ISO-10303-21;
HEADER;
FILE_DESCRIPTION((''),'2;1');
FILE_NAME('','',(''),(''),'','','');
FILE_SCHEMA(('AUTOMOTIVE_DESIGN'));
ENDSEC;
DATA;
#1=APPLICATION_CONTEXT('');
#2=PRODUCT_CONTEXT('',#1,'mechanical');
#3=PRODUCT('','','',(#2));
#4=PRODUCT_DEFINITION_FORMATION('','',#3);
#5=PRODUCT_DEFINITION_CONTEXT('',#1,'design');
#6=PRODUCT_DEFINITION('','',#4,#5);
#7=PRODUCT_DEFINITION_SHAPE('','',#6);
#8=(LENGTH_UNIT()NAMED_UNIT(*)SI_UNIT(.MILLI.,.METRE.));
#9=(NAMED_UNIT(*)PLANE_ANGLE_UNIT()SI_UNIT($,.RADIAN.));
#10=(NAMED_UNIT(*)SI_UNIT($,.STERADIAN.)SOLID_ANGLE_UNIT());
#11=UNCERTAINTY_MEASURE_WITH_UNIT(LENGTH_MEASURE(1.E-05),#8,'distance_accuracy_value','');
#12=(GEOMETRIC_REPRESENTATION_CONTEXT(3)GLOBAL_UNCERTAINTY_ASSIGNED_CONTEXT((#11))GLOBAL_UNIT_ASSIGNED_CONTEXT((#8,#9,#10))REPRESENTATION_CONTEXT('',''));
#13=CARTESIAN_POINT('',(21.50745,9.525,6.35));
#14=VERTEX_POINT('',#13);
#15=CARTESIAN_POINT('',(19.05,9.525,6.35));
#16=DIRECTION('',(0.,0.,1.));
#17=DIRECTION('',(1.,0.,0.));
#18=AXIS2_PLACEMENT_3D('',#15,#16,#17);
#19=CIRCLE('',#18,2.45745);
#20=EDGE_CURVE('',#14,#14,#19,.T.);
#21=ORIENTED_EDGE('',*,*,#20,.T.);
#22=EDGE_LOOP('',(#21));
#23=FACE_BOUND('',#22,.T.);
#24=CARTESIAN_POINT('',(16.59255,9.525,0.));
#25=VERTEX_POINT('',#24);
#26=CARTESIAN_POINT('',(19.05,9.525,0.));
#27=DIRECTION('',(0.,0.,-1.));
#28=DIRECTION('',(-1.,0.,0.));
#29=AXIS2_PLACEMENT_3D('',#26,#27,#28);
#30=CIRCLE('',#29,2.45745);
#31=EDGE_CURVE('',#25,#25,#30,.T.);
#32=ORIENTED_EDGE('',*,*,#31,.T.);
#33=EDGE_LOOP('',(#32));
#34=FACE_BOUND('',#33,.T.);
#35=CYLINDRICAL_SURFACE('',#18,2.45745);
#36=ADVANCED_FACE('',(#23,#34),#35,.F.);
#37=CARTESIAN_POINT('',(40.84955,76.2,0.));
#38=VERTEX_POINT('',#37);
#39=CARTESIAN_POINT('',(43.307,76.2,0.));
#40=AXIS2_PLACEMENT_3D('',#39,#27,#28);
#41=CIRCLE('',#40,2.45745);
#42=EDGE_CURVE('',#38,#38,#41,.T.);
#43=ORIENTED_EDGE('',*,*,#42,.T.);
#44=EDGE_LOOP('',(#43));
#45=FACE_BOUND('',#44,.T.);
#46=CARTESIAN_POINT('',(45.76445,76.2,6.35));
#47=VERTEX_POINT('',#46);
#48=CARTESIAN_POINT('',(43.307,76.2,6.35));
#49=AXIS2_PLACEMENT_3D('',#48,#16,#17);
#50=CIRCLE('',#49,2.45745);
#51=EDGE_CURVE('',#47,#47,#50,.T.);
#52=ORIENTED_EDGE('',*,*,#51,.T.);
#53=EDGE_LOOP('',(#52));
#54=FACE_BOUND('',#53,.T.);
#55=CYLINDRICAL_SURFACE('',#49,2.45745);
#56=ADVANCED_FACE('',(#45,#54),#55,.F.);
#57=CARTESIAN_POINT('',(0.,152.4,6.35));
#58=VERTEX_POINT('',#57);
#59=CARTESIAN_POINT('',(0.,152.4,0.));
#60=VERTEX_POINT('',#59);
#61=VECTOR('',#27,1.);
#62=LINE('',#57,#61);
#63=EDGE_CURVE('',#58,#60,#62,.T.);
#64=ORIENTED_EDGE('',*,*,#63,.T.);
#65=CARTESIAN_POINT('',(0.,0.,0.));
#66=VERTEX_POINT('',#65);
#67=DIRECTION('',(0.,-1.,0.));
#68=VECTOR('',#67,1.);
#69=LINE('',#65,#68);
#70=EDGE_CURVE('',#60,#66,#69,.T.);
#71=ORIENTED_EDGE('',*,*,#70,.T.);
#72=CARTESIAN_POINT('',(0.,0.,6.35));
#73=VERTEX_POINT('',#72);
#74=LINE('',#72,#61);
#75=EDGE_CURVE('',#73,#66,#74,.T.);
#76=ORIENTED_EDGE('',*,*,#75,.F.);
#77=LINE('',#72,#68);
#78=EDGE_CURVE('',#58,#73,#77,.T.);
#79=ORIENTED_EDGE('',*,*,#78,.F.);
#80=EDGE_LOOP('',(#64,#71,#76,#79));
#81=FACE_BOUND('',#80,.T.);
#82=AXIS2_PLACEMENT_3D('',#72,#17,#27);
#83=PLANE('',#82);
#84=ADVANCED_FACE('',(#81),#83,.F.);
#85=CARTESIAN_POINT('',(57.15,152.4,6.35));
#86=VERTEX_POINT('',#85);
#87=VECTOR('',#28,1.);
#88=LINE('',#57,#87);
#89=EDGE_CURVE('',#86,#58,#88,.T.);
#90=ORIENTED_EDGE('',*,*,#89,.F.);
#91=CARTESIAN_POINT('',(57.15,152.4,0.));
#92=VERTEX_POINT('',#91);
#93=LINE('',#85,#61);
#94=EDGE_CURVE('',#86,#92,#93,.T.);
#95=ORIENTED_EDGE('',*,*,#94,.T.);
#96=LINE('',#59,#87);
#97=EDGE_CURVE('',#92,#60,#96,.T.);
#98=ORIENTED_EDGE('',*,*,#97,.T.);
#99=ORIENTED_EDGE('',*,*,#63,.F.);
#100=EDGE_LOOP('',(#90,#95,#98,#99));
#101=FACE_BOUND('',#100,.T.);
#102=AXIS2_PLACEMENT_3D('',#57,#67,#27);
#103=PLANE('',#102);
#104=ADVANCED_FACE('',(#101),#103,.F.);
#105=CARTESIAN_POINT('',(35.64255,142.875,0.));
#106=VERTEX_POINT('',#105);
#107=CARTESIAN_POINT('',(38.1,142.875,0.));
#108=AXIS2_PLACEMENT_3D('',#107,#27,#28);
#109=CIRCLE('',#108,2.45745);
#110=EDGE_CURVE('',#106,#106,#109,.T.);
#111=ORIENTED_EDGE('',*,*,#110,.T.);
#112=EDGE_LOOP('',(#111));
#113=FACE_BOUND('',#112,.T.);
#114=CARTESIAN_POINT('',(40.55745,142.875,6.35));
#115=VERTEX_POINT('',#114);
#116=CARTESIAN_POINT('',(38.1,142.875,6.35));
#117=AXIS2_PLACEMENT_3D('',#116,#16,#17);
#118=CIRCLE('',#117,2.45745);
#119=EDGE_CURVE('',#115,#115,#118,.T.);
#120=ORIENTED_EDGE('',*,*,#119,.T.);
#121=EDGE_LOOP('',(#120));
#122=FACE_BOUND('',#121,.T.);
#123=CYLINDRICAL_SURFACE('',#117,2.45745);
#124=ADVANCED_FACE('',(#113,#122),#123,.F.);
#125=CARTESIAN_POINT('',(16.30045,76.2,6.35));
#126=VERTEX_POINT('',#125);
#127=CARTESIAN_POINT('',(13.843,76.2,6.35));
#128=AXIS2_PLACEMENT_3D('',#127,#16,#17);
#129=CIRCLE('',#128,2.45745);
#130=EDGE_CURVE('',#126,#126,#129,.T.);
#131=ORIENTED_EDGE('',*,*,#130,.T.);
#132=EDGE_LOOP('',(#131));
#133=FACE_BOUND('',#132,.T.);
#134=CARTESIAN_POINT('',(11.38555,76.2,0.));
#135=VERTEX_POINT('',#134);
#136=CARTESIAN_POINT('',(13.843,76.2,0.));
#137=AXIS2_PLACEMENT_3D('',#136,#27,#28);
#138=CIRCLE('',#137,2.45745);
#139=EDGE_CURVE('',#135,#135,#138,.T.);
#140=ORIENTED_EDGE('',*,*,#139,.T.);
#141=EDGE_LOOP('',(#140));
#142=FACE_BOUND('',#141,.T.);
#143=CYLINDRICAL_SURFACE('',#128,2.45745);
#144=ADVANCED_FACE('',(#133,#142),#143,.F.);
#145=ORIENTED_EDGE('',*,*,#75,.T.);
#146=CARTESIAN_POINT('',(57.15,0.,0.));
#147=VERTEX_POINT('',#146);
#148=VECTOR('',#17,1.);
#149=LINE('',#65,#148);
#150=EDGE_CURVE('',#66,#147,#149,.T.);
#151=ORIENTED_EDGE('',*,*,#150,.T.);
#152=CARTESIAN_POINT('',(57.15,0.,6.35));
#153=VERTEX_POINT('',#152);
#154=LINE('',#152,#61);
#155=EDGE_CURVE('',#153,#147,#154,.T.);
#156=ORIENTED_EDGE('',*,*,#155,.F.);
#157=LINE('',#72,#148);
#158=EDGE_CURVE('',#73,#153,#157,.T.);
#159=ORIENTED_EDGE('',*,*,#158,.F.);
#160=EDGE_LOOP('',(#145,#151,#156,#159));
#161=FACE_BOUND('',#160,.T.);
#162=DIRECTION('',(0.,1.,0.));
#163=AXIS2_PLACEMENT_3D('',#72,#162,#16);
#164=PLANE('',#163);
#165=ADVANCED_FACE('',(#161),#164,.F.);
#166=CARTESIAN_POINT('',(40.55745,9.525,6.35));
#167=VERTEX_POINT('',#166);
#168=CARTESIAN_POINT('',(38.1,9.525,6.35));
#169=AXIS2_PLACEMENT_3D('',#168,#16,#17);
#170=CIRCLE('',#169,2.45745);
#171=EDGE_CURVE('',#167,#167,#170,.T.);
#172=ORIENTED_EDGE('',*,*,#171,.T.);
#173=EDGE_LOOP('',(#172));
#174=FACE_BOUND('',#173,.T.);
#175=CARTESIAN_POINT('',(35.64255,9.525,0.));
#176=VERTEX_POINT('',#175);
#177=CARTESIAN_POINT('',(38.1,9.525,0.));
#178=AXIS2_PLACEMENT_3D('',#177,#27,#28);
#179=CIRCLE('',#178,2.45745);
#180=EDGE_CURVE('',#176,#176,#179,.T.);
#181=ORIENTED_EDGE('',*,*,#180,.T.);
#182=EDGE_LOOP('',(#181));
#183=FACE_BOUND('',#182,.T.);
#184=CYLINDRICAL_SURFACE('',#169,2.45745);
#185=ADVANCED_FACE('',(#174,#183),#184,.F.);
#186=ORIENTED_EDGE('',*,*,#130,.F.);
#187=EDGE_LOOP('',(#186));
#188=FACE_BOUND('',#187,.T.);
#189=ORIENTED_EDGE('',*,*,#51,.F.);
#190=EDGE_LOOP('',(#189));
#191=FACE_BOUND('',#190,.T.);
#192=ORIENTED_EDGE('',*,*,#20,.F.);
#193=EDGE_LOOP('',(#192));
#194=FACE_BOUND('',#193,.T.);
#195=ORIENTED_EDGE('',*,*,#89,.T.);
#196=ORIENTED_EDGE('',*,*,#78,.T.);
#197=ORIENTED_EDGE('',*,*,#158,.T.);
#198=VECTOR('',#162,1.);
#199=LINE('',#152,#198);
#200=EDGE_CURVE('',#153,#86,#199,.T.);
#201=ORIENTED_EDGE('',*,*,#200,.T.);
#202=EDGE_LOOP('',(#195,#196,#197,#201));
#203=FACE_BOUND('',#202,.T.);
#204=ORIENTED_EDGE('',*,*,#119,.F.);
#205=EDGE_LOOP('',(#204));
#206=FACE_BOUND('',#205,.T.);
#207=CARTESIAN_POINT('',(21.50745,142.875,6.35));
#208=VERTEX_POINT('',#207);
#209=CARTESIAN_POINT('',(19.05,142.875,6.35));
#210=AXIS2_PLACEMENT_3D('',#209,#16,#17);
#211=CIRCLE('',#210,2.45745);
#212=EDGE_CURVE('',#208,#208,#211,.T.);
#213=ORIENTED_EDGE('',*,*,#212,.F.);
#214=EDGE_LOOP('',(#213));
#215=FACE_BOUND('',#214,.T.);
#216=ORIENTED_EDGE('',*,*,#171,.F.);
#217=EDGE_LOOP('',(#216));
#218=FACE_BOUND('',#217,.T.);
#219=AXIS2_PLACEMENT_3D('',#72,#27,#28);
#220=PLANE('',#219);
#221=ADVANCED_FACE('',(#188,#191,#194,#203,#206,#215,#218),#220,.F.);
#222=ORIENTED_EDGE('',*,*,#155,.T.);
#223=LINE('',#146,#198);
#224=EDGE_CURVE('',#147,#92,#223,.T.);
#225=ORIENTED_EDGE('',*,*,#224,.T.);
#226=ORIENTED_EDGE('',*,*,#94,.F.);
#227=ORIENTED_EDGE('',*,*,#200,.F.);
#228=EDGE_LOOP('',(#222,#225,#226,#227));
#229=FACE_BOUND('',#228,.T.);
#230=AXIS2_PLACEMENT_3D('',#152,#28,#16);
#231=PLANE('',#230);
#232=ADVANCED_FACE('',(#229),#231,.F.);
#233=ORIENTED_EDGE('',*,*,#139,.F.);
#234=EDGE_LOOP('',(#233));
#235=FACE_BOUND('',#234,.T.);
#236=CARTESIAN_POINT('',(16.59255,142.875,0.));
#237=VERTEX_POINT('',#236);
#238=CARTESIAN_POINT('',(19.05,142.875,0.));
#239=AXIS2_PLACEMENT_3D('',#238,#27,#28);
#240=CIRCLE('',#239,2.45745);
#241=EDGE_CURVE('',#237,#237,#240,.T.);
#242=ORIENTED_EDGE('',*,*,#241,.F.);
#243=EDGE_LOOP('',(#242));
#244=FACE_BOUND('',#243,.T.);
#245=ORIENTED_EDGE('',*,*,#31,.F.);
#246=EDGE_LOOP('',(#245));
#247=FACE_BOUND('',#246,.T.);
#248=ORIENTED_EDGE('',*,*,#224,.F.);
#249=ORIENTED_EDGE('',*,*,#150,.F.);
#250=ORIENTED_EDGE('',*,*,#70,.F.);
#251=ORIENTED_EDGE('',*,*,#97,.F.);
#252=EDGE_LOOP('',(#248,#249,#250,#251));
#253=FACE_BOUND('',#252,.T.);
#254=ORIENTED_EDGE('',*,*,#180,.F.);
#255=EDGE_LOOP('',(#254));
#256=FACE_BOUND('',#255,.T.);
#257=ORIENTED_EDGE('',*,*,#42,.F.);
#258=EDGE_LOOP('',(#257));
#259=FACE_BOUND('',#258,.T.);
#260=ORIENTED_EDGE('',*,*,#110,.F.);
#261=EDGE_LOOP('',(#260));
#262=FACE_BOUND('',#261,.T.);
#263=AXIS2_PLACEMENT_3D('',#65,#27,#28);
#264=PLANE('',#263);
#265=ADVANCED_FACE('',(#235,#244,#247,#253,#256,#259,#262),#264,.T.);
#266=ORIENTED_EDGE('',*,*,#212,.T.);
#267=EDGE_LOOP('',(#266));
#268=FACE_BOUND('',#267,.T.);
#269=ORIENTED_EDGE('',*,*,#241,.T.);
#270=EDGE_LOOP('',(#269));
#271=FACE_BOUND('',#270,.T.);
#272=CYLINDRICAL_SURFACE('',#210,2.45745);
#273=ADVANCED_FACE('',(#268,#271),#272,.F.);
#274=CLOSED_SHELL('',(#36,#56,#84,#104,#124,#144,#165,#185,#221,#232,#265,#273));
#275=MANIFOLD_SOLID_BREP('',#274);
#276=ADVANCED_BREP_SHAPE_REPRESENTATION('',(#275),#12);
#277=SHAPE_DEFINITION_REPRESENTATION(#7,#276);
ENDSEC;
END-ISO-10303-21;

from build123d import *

# Parameters (mm, degrees)
SKETCH2_W                 = 57.15
SKETCH2_H                 = 152.4
BOSS_EXTRUDE1_DEPTH       = 6.35
F_8_CLEARANCE_HOLE1_D     = 4.9149
F_8_CLEARANCE_HOLE1_DEPTH = 9.191415072
F_8_CLEARANCE_HOLE1_TIP   = 1.476584928


with BuildPart() as part:
    # Sketch2 → Boss-Extrude1 (new body)
    with BuildSketch(Plane.XY):
        with Locations((28.575, 76.2)):
            Rectangle(SKETCH2_W, SKETCH2_H)
    extrude(amount=BOSS_EXTRUDE1_DEPTH)

    # #8 Clearance Hole1
    with Locations(Plane.XY.offset(6.35)):
        with Locations((19.05, 9.525), (38.1, 9.525), (19.05, 142.875), (38.1, 142.875), (13.843, 76.2), (43.307, 76.2)):
            Hole(F_8_CLEARANCE_HOLE1_D / 2, depth=F_8_CLEARANCE_HOLE1_DEPTH)
            with Locations((0, 0, -(F_8_CLEARANCE_HOLE1_DEPTH + F_8_CLEARANCE_HOLE1_TIP / 2))):  # 118° drill point
                Cone(0, F_8_CLEARANCE_HOLE1_D / 2, F_8_CLEARANCE_HOLE1_TIP, mode=Mode.SUBTRACT)


solid = part.part
